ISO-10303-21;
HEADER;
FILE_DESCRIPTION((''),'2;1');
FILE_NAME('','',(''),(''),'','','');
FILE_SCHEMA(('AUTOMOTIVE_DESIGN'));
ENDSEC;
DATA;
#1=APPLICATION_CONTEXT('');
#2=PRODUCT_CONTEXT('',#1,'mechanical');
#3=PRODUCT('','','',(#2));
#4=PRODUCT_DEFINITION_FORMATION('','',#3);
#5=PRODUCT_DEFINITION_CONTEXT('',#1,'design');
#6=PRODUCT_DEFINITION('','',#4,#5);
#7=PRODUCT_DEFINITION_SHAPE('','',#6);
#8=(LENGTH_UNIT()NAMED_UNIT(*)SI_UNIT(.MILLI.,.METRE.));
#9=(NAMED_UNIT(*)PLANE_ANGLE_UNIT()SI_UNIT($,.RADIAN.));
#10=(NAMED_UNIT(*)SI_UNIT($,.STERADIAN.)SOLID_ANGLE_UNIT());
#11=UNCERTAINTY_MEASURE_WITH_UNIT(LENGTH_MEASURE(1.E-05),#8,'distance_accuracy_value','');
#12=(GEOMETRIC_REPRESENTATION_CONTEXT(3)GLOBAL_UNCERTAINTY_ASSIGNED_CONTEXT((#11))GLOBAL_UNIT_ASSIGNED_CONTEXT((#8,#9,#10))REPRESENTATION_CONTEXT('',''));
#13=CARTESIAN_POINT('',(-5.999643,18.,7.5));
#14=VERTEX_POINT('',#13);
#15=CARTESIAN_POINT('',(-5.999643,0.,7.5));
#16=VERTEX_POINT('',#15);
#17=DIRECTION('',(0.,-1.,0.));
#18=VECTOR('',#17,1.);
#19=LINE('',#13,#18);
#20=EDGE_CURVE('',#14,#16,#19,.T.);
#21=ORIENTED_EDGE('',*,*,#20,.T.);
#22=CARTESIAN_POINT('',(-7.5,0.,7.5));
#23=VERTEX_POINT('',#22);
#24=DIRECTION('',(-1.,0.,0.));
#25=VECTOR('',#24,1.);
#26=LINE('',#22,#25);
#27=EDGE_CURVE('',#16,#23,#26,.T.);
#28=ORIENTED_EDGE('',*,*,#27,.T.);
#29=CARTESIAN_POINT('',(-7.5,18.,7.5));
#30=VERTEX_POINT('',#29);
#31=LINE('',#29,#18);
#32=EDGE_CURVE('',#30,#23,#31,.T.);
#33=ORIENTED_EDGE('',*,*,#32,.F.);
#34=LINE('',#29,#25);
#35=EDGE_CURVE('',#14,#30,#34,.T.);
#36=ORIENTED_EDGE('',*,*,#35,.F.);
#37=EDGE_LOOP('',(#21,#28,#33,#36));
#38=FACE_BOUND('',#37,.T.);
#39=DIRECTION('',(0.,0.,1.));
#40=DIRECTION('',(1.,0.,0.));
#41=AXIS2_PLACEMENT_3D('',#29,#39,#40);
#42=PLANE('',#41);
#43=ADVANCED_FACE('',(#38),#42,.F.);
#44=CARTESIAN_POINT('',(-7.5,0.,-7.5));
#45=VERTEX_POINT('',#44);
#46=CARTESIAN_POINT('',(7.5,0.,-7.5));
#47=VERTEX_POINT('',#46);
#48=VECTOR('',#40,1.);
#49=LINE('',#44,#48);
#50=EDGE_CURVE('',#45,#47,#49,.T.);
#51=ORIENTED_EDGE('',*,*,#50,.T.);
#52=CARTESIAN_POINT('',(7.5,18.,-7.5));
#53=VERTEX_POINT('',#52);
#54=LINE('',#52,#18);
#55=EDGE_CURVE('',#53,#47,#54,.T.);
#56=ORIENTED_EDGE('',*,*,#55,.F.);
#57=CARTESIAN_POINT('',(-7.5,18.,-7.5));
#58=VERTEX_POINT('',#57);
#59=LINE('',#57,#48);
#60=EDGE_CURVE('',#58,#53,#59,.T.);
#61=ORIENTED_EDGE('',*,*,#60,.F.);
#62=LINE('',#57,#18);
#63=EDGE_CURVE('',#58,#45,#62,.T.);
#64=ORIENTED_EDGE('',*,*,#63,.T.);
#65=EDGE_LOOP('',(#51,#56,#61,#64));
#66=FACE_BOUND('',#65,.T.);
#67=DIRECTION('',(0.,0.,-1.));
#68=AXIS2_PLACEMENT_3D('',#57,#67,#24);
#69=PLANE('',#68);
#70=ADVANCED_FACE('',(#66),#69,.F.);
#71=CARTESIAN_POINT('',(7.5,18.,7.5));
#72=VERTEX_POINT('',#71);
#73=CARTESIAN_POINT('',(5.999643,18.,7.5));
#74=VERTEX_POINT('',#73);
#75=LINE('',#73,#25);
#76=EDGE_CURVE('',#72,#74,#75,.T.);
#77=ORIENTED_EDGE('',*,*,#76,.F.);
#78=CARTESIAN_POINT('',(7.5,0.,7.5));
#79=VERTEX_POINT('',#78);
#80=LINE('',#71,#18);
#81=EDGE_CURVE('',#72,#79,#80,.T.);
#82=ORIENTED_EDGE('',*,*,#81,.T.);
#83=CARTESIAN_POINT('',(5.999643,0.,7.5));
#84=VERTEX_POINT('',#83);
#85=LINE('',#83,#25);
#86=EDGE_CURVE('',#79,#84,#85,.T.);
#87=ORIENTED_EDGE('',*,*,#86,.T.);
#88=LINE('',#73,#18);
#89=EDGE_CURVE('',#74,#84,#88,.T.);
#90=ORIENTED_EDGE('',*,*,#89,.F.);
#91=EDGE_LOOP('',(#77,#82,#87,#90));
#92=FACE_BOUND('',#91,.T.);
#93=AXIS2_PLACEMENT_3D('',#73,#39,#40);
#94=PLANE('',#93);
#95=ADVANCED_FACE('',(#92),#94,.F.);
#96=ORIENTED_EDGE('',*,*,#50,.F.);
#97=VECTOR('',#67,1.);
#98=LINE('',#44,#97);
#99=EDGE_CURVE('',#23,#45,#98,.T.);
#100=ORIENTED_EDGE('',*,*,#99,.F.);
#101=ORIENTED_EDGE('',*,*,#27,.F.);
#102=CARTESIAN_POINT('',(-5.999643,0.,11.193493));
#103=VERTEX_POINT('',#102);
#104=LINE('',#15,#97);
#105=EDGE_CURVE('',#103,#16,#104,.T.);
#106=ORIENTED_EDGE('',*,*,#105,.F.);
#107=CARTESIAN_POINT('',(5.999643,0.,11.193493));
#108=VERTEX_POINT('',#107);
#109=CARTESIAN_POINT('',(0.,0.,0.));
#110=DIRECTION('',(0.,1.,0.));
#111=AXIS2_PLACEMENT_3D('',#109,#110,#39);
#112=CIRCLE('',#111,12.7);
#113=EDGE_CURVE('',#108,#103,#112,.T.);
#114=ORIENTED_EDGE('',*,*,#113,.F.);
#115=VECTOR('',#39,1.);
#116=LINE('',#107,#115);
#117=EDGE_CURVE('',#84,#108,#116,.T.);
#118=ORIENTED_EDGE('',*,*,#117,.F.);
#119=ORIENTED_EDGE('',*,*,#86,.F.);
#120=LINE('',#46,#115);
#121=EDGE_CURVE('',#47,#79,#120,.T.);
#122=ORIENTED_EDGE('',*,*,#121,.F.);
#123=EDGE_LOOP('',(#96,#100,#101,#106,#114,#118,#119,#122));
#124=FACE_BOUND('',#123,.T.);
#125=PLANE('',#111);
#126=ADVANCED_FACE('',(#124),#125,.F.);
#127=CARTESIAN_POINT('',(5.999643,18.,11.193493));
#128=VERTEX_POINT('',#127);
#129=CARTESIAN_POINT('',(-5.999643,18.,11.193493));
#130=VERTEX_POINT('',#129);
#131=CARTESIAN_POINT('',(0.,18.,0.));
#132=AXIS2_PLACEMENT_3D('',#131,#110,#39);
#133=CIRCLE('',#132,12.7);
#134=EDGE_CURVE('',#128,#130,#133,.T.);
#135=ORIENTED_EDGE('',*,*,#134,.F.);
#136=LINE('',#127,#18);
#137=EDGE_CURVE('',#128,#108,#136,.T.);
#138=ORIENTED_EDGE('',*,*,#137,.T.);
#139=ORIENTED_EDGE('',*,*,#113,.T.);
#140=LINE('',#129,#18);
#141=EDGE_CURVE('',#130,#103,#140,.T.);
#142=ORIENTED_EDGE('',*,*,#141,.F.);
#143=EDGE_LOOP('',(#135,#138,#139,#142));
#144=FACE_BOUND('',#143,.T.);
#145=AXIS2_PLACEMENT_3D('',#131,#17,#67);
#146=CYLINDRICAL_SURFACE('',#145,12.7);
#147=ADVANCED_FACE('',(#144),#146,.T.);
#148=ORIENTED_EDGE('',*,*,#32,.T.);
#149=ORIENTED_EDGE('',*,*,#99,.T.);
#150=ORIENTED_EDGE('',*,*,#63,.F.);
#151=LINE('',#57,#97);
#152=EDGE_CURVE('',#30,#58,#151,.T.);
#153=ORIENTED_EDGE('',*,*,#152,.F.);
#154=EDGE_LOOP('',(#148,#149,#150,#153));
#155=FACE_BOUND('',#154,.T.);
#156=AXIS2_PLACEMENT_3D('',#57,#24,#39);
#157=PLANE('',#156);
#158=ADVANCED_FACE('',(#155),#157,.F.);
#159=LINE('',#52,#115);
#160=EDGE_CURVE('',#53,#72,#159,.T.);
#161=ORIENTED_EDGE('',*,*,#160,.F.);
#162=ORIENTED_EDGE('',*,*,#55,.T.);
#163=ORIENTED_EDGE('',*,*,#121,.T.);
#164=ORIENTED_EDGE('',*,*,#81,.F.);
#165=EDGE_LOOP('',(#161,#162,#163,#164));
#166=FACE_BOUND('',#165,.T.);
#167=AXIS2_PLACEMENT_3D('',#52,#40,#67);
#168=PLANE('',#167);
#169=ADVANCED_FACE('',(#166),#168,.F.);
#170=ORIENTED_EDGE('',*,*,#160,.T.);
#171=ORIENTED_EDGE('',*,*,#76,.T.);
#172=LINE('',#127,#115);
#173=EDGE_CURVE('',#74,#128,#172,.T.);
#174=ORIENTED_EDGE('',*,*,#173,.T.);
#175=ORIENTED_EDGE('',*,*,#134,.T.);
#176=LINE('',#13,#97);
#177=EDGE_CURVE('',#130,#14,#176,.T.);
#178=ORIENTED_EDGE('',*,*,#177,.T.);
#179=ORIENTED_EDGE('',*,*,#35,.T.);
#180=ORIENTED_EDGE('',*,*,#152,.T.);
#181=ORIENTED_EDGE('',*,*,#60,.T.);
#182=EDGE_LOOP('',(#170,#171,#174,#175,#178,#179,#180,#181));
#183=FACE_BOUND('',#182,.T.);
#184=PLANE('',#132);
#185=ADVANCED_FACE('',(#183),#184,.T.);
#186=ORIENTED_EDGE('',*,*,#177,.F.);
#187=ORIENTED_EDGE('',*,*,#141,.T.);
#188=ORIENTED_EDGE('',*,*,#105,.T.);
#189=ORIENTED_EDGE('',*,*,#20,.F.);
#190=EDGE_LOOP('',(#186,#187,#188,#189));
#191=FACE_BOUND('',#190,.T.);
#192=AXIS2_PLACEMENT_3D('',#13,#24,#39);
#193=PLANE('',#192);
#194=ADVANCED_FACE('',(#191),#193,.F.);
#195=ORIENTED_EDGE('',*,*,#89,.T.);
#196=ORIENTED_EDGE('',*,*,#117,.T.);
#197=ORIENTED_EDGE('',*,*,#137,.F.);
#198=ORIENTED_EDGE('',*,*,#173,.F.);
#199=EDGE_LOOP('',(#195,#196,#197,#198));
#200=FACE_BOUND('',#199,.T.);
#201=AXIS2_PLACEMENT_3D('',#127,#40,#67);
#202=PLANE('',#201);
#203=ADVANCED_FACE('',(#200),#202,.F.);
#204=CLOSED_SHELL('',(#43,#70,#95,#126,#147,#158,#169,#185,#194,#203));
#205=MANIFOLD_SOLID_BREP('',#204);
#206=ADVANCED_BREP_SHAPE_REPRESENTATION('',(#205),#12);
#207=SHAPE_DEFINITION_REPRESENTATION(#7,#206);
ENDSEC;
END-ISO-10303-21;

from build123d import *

# Parameters (mm, degrees)
BOSS_EXTRUDE2_DEPTH = 18


with BuildPart() as part:
    # Sketch1 → Boss-Extrude2 (new body)
    with BuildSketch(Plane(origin=(0, 0, 0), x_dir=(1, 0, 0), z_dir=(0, 1, 0))):
        with BuildLine():
            Line((5.999643171, -7.5), (7.5, -7.5))
            Line((7.5, -7.5), (7.5, 7.5))
            Line((7.5, 7.5), (-7.5, 7.5))
            Line((-7.5, 7.5), (-7.5, -7.5))
            Line((-7.5, -7.5), (-5.999643171, -7.5))
            Line((-5.999643171, -7.5), (-5.999643171, -11.193492834))
            ThreePointArc((-5.999643171, -11.193492834), (0, 12.7), (5.999643171, -11.193492834))
            Line((5.999643171, -11.193492834), (5.999643171, -7.5))
        make_face()
    extrude(amount=BOSS_EXTRUDE2_DEPTH)


solid = part.part
